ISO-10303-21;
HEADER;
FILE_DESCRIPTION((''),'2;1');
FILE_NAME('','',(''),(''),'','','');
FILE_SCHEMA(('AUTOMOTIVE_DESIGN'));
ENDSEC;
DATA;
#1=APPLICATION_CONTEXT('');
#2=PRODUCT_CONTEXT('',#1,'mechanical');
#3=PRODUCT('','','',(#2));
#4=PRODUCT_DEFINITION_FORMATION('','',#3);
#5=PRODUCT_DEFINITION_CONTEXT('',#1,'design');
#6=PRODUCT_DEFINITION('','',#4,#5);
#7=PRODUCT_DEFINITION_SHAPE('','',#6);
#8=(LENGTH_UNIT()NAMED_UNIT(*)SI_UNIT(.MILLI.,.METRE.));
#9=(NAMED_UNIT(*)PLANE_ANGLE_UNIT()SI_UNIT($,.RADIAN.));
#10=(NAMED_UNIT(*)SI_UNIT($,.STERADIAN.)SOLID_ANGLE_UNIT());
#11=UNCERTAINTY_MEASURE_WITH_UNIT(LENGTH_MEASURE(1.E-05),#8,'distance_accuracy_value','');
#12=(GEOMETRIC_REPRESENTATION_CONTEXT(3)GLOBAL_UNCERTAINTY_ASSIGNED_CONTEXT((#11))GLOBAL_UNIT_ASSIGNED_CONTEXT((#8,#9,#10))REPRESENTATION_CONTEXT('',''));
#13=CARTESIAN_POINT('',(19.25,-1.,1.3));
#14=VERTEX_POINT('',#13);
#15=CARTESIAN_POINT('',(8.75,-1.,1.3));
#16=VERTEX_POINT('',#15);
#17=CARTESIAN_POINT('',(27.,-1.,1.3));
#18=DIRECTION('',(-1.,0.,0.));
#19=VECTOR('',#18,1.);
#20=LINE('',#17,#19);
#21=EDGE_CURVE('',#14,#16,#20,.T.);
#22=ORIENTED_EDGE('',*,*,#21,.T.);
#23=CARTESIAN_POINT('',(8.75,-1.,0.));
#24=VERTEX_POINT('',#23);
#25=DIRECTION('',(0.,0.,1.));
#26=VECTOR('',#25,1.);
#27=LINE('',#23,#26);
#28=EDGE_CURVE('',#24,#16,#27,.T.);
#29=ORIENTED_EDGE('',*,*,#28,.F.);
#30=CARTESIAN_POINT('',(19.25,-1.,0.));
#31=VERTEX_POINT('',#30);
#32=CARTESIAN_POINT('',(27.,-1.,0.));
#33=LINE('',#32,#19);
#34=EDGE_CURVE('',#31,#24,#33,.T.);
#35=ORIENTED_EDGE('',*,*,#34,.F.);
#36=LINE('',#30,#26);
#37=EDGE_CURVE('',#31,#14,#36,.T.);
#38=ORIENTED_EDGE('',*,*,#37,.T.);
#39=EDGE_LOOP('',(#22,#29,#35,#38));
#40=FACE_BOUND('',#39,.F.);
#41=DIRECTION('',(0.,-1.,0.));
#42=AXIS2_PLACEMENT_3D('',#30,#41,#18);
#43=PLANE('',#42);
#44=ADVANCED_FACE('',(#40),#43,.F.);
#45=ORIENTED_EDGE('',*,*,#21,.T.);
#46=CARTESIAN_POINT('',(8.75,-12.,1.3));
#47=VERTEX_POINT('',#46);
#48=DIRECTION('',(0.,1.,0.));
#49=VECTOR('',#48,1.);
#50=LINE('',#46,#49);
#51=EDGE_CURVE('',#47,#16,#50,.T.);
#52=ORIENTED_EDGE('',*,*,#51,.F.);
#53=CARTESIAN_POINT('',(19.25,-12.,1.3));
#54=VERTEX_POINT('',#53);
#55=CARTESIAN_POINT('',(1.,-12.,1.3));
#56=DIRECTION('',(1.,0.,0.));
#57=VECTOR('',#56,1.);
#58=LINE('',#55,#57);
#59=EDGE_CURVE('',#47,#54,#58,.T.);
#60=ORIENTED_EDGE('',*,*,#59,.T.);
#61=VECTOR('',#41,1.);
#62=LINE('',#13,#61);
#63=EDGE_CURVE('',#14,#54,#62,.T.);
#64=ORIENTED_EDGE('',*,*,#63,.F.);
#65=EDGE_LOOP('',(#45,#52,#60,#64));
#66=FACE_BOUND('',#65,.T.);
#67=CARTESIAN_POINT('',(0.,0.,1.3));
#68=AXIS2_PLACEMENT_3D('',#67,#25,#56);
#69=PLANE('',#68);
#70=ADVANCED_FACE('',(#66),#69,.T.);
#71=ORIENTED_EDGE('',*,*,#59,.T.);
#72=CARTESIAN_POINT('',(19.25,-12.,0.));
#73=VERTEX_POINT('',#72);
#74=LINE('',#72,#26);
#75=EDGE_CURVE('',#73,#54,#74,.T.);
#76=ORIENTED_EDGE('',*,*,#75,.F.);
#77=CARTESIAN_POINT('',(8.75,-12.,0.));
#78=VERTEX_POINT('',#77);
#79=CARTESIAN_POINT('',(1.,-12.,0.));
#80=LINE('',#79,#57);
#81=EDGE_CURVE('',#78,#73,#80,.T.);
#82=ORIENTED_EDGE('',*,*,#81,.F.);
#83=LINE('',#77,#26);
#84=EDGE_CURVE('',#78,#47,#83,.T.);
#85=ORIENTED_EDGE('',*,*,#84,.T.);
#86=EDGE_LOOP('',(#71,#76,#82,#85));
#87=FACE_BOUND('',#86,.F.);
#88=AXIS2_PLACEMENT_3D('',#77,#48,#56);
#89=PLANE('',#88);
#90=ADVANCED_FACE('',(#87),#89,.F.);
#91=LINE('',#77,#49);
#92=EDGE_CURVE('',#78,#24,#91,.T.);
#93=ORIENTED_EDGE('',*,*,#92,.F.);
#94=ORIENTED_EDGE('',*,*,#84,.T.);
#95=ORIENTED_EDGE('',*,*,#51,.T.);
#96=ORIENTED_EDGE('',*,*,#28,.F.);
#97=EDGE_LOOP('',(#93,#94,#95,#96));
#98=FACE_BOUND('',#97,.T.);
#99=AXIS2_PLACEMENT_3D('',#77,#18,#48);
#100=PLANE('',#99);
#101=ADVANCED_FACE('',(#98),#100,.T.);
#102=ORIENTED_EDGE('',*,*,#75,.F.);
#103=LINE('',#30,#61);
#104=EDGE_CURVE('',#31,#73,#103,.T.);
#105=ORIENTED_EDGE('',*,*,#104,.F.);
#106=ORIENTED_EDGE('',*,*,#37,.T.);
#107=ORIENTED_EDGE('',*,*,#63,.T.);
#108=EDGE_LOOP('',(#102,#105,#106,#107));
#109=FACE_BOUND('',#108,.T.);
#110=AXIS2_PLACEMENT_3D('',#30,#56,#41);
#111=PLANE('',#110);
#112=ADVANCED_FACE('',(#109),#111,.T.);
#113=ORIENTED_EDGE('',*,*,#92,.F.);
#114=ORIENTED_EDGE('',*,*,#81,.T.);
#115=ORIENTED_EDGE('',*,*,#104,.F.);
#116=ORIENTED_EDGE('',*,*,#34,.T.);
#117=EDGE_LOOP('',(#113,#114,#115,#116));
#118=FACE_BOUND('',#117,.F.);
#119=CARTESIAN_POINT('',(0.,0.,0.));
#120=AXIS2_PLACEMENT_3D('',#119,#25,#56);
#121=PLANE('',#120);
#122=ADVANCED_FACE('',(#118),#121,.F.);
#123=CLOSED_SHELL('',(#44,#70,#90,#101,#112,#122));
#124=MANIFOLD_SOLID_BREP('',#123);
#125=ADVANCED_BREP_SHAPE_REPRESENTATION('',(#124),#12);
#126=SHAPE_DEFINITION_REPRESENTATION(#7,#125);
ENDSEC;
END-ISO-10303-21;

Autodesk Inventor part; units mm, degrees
ref_plane "YZ Plane" through (0, 0, 0) normal (1, 0, 0) x (0, 1, 0)
ref_plane "XZ Plane" through (0, 0, 0) normal (0, 1, 0) x (-1, 0, 0)
ref_plane "XY Plane" through (0, 0, 0) normal (0, 0, 1) x (1, 0, 0)
ref_plane "Work Plane1" through (0, 0, 0) normal (0, 0, 1) x (1, 0, 0)
sketch "Sketch1" plane through (0, 0, 0) normal (0, 0, 1) x (1, 0, 0)
  line L0 (27, -1) -> (1, -1) projected
  line L1 (1, -1) -> (1, -12) projected
  line L2 (1, -12) -> (27, -12) projected
  line L3 (27, -12) -> (27, -1) projected
  line L4 (19.25, -12) -> (8.75, -12)
  line L5 (8.75, -12) -> (8.75, -1)
  line L6 (8.75, -1) -> (19.25, -1)
  line L7 (19.25, -1) -> (19.25, -12)
  point P0 (0, 0)
  point P1 (8.75, -1)
  dimension "d0" = 10.5
  dimension "d1" = 11
  dimension "d2" = 7.75
extrude "Extrusion1" add sketch "Sketch1" along normal blind 1.3 contours L7 L2 L5 L0
properties part number "piny_led_bateryjki"
